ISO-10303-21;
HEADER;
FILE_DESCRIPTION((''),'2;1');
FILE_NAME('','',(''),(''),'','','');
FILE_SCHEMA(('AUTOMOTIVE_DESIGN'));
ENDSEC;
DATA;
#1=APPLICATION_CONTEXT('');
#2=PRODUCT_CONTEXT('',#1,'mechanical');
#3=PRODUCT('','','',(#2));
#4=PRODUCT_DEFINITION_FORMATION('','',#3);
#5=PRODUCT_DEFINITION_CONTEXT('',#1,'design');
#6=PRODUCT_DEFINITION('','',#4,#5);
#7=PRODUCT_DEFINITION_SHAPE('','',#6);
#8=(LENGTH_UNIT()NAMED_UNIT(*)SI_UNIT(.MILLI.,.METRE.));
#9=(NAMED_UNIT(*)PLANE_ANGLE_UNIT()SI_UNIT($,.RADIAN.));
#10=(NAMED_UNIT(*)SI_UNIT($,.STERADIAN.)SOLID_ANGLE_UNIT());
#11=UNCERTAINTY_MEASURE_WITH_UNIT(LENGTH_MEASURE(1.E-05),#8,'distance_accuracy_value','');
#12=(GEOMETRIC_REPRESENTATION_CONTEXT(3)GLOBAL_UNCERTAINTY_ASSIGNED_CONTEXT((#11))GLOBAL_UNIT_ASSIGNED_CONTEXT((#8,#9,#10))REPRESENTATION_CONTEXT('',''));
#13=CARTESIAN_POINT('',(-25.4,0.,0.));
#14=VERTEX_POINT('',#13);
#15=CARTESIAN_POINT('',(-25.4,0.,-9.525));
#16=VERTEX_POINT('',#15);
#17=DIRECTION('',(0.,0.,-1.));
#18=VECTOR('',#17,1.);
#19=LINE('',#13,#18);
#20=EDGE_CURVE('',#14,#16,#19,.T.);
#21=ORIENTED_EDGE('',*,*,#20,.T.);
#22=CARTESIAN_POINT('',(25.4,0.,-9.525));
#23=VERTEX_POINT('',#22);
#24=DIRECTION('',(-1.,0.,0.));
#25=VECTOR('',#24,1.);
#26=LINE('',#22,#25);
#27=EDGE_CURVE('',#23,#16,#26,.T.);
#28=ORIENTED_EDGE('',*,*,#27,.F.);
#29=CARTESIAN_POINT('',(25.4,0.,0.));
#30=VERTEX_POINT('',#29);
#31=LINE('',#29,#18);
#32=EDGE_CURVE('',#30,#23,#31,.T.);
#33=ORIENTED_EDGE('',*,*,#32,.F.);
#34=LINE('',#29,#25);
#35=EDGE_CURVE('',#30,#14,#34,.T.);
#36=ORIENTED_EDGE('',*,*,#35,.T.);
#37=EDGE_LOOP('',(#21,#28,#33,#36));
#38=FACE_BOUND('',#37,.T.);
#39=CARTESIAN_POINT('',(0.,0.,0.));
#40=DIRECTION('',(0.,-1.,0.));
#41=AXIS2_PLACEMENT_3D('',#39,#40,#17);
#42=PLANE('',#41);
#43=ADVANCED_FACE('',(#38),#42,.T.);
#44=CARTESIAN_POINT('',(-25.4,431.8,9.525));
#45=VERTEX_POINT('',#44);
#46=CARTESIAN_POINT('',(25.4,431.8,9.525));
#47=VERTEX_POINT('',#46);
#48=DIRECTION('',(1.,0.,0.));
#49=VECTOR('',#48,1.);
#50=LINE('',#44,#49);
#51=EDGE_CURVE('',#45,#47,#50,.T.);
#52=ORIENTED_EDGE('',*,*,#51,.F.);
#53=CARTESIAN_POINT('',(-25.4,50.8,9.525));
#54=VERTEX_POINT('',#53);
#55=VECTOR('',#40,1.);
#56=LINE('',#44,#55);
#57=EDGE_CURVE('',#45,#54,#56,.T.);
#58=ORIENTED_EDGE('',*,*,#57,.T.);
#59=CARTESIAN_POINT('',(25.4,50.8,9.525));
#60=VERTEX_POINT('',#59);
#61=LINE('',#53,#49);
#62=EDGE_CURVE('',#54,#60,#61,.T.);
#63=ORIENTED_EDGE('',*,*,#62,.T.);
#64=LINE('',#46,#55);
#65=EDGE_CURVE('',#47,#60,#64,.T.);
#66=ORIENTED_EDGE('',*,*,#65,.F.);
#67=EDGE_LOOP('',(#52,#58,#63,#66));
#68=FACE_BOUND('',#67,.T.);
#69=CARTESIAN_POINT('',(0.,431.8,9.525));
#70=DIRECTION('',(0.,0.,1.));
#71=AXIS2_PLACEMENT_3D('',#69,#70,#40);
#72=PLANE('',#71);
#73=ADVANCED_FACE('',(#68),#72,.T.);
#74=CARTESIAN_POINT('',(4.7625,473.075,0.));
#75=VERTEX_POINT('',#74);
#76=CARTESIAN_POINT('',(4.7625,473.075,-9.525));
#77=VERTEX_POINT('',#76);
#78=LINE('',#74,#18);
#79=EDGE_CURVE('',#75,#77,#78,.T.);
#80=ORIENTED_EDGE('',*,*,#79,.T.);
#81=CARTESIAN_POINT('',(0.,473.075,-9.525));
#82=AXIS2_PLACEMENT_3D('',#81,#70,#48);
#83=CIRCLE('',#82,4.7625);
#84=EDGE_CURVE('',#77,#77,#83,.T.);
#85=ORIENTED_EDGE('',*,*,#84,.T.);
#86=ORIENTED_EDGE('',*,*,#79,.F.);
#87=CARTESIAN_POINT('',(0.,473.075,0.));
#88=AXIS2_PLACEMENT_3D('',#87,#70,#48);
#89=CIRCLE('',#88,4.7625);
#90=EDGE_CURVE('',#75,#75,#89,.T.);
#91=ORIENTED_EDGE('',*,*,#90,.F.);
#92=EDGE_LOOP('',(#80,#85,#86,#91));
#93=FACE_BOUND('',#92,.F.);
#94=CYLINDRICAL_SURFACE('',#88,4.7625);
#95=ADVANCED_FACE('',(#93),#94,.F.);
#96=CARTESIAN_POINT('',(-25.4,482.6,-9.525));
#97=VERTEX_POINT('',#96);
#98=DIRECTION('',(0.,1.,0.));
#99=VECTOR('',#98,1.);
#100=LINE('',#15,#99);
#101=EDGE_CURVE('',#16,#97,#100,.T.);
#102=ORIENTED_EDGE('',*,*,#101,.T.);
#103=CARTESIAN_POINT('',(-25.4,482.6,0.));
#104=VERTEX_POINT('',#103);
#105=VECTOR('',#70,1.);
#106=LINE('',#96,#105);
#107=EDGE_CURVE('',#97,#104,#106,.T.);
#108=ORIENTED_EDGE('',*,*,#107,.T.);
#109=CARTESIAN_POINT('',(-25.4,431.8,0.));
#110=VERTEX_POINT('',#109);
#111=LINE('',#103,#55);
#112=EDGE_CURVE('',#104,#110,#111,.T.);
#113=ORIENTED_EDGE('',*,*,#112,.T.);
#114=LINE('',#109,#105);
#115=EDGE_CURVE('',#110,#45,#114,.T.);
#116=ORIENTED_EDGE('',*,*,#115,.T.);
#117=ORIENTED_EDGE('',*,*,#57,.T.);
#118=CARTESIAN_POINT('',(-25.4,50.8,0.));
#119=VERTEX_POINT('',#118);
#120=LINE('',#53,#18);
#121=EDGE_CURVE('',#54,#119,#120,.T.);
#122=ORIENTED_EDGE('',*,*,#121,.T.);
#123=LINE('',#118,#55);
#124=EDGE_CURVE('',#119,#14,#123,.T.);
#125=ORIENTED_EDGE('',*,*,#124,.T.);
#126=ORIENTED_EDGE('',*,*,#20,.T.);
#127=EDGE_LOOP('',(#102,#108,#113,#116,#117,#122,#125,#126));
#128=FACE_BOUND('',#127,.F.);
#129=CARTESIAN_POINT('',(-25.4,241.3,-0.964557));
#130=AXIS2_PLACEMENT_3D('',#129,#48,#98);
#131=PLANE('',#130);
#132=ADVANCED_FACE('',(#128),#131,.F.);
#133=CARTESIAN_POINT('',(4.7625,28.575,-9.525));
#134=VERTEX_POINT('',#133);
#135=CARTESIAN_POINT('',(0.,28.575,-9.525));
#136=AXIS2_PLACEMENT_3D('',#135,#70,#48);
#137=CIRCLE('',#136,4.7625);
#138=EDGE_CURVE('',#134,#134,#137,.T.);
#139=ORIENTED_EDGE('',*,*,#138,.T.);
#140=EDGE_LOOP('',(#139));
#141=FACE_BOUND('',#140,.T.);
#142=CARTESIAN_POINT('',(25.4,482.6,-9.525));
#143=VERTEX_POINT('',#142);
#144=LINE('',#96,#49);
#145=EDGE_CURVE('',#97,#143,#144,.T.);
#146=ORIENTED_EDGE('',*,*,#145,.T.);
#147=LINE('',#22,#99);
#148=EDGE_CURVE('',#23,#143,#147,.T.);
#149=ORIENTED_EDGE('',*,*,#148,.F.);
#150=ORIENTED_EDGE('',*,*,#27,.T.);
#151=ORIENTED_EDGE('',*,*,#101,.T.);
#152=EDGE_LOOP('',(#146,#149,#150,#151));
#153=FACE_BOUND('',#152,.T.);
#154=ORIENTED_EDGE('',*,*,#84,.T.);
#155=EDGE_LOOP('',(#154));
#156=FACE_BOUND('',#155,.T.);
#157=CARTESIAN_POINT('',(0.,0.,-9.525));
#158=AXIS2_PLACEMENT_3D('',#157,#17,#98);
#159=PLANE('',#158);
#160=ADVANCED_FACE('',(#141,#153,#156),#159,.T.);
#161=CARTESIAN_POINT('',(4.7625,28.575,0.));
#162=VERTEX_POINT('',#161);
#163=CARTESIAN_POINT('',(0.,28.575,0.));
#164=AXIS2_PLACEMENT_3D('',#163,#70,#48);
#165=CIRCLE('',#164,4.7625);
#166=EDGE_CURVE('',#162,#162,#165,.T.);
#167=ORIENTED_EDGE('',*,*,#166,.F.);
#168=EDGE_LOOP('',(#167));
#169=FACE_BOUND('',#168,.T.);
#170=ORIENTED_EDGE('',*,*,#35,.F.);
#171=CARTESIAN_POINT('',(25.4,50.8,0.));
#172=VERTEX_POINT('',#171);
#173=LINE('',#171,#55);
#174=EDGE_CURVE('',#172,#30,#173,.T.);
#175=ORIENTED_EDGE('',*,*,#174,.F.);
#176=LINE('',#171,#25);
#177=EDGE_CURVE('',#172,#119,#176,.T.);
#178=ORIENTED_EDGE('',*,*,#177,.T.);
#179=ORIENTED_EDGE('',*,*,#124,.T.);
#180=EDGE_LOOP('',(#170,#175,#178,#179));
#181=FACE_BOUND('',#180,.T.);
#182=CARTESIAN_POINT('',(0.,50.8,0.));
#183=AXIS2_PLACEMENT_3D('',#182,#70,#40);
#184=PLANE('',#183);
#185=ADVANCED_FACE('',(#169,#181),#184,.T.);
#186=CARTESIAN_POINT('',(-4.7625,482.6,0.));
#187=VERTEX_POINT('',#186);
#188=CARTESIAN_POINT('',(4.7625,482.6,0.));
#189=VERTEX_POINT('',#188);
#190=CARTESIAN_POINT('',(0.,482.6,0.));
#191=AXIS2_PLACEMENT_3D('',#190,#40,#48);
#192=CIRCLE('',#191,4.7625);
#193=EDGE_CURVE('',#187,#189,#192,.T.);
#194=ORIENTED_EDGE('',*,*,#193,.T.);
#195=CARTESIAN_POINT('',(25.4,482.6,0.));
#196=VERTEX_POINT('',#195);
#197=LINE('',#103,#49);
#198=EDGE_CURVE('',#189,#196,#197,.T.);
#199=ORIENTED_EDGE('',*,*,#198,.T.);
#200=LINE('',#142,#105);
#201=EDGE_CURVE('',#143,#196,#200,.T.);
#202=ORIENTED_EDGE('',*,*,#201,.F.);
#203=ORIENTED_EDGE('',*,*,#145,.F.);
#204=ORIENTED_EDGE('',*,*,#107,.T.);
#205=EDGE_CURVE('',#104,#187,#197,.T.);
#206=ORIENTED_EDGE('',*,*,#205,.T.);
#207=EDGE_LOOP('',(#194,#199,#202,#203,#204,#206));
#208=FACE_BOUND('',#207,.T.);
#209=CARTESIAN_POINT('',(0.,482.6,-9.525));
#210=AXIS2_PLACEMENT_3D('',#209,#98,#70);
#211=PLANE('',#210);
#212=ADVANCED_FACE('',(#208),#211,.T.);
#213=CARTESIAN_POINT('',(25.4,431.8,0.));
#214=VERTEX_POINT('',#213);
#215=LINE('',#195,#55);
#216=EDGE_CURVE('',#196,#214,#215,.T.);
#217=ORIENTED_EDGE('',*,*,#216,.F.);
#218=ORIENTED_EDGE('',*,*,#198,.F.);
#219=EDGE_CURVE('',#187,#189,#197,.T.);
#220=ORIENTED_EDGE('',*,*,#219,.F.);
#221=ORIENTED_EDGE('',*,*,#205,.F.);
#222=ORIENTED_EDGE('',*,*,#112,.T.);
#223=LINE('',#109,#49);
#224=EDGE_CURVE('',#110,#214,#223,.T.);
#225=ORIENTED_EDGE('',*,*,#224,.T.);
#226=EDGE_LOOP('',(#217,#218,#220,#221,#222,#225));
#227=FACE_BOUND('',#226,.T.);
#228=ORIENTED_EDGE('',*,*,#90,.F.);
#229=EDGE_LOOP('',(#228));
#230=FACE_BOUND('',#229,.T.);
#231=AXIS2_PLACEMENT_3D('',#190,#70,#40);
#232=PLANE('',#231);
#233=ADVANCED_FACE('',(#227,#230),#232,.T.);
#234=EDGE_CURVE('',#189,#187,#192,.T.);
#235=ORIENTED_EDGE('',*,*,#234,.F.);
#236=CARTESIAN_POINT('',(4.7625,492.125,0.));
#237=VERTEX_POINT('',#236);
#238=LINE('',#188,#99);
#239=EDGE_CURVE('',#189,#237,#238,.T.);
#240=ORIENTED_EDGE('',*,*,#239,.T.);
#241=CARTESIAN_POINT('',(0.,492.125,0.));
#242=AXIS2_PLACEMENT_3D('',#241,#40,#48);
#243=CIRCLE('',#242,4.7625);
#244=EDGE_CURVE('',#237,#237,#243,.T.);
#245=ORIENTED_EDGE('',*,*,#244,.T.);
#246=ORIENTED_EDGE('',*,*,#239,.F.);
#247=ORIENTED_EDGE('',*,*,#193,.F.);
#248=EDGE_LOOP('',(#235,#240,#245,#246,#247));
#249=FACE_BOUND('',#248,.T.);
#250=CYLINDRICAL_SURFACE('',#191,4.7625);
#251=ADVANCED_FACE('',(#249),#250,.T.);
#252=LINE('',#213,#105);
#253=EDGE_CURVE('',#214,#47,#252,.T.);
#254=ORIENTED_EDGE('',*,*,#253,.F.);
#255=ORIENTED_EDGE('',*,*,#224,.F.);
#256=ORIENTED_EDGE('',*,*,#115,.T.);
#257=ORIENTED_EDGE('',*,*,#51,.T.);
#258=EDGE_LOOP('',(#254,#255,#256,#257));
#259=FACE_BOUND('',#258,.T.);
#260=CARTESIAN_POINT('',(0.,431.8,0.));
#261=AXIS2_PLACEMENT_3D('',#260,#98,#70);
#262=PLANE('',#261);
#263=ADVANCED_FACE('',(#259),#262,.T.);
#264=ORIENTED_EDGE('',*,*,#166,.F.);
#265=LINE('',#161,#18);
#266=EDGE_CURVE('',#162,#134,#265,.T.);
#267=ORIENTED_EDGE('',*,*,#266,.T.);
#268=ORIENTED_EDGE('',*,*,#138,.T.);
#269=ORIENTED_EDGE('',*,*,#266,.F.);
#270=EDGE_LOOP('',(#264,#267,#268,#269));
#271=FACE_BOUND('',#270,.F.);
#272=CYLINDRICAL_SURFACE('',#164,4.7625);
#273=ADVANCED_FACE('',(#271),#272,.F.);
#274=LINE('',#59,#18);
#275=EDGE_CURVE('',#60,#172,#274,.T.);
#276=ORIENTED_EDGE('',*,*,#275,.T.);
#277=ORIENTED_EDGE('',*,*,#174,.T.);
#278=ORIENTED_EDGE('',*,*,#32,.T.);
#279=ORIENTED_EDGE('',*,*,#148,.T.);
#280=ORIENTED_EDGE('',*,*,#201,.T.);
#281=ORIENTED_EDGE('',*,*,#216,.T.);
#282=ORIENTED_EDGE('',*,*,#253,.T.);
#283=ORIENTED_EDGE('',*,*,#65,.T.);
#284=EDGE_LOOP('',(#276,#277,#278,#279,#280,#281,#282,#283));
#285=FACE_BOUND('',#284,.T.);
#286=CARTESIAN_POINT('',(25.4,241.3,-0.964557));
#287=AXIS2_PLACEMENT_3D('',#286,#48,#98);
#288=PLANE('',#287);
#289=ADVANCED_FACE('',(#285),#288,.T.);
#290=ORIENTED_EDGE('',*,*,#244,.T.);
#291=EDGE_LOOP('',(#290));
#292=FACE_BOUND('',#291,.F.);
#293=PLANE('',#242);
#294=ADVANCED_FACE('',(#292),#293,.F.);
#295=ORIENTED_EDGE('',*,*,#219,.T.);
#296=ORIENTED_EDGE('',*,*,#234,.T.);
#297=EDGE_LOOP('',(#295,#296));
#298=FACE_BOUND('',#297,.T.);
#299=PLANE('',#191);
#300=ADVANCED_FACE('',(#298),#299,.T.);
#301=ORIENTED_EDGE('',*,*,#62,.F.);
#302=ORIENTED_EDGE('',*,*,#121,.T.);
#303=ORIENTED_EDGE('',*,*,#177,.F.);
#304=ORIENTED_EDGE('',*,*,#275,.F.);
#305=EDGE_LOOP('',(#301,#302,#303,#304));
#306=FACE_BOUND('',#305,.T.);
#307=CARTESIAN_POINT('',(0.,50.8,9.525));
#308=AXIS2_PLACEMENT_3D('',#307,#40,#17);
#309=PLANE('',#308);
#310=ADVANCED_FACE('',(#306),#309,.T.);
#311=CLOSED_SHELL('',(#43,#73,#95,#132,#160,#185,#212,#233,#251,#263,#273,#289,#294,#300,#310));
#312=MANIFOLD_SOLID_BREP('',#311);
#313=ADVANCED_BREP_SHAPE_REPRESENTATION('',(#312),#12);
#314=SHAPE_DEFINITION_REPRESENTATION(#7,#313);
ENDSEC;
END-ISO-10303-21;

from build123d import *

# Parameters (mm, degrees)
F1_DEPTH = 25.4
F2_R     = 4.7625
F3_DEPTH = 25.4
F5_R     = 4.7625
F6_DEPTH = 9.525


with BuildPart() as f1:
    # F0 (on Right) → F1 (new body, symmetric)
    with BuildSketch(Plane.YZ):
        Polygon((0, -9.525), (482.6, -9.525), (482.6, 0), (431.8, 0), (431.8, 9.525), (50.8, 9.525), (50.8, 0), (0, 0), align=None)
    extrude(amount=F1_DEPTH, both=True)

    # F2 (on Top) → F3 (cut)
    with BuildSketch(Plane.XY):
        with Locations((0, 28.575)):
            Circle(F2_R)
        with Locations((0, 473.075)):
            Circle(F2_R)
    extrude(amount=-F3_DEPTH, mode=Mode.SUBTRACT)

    # F5 (on offset) → F6 (join)
    with BuildSketch(Plane.XZ.offset(-482.6)):
        Circle(F5_R)
    extrude(amount=-F6_DEPTH)


solid = f1.part
